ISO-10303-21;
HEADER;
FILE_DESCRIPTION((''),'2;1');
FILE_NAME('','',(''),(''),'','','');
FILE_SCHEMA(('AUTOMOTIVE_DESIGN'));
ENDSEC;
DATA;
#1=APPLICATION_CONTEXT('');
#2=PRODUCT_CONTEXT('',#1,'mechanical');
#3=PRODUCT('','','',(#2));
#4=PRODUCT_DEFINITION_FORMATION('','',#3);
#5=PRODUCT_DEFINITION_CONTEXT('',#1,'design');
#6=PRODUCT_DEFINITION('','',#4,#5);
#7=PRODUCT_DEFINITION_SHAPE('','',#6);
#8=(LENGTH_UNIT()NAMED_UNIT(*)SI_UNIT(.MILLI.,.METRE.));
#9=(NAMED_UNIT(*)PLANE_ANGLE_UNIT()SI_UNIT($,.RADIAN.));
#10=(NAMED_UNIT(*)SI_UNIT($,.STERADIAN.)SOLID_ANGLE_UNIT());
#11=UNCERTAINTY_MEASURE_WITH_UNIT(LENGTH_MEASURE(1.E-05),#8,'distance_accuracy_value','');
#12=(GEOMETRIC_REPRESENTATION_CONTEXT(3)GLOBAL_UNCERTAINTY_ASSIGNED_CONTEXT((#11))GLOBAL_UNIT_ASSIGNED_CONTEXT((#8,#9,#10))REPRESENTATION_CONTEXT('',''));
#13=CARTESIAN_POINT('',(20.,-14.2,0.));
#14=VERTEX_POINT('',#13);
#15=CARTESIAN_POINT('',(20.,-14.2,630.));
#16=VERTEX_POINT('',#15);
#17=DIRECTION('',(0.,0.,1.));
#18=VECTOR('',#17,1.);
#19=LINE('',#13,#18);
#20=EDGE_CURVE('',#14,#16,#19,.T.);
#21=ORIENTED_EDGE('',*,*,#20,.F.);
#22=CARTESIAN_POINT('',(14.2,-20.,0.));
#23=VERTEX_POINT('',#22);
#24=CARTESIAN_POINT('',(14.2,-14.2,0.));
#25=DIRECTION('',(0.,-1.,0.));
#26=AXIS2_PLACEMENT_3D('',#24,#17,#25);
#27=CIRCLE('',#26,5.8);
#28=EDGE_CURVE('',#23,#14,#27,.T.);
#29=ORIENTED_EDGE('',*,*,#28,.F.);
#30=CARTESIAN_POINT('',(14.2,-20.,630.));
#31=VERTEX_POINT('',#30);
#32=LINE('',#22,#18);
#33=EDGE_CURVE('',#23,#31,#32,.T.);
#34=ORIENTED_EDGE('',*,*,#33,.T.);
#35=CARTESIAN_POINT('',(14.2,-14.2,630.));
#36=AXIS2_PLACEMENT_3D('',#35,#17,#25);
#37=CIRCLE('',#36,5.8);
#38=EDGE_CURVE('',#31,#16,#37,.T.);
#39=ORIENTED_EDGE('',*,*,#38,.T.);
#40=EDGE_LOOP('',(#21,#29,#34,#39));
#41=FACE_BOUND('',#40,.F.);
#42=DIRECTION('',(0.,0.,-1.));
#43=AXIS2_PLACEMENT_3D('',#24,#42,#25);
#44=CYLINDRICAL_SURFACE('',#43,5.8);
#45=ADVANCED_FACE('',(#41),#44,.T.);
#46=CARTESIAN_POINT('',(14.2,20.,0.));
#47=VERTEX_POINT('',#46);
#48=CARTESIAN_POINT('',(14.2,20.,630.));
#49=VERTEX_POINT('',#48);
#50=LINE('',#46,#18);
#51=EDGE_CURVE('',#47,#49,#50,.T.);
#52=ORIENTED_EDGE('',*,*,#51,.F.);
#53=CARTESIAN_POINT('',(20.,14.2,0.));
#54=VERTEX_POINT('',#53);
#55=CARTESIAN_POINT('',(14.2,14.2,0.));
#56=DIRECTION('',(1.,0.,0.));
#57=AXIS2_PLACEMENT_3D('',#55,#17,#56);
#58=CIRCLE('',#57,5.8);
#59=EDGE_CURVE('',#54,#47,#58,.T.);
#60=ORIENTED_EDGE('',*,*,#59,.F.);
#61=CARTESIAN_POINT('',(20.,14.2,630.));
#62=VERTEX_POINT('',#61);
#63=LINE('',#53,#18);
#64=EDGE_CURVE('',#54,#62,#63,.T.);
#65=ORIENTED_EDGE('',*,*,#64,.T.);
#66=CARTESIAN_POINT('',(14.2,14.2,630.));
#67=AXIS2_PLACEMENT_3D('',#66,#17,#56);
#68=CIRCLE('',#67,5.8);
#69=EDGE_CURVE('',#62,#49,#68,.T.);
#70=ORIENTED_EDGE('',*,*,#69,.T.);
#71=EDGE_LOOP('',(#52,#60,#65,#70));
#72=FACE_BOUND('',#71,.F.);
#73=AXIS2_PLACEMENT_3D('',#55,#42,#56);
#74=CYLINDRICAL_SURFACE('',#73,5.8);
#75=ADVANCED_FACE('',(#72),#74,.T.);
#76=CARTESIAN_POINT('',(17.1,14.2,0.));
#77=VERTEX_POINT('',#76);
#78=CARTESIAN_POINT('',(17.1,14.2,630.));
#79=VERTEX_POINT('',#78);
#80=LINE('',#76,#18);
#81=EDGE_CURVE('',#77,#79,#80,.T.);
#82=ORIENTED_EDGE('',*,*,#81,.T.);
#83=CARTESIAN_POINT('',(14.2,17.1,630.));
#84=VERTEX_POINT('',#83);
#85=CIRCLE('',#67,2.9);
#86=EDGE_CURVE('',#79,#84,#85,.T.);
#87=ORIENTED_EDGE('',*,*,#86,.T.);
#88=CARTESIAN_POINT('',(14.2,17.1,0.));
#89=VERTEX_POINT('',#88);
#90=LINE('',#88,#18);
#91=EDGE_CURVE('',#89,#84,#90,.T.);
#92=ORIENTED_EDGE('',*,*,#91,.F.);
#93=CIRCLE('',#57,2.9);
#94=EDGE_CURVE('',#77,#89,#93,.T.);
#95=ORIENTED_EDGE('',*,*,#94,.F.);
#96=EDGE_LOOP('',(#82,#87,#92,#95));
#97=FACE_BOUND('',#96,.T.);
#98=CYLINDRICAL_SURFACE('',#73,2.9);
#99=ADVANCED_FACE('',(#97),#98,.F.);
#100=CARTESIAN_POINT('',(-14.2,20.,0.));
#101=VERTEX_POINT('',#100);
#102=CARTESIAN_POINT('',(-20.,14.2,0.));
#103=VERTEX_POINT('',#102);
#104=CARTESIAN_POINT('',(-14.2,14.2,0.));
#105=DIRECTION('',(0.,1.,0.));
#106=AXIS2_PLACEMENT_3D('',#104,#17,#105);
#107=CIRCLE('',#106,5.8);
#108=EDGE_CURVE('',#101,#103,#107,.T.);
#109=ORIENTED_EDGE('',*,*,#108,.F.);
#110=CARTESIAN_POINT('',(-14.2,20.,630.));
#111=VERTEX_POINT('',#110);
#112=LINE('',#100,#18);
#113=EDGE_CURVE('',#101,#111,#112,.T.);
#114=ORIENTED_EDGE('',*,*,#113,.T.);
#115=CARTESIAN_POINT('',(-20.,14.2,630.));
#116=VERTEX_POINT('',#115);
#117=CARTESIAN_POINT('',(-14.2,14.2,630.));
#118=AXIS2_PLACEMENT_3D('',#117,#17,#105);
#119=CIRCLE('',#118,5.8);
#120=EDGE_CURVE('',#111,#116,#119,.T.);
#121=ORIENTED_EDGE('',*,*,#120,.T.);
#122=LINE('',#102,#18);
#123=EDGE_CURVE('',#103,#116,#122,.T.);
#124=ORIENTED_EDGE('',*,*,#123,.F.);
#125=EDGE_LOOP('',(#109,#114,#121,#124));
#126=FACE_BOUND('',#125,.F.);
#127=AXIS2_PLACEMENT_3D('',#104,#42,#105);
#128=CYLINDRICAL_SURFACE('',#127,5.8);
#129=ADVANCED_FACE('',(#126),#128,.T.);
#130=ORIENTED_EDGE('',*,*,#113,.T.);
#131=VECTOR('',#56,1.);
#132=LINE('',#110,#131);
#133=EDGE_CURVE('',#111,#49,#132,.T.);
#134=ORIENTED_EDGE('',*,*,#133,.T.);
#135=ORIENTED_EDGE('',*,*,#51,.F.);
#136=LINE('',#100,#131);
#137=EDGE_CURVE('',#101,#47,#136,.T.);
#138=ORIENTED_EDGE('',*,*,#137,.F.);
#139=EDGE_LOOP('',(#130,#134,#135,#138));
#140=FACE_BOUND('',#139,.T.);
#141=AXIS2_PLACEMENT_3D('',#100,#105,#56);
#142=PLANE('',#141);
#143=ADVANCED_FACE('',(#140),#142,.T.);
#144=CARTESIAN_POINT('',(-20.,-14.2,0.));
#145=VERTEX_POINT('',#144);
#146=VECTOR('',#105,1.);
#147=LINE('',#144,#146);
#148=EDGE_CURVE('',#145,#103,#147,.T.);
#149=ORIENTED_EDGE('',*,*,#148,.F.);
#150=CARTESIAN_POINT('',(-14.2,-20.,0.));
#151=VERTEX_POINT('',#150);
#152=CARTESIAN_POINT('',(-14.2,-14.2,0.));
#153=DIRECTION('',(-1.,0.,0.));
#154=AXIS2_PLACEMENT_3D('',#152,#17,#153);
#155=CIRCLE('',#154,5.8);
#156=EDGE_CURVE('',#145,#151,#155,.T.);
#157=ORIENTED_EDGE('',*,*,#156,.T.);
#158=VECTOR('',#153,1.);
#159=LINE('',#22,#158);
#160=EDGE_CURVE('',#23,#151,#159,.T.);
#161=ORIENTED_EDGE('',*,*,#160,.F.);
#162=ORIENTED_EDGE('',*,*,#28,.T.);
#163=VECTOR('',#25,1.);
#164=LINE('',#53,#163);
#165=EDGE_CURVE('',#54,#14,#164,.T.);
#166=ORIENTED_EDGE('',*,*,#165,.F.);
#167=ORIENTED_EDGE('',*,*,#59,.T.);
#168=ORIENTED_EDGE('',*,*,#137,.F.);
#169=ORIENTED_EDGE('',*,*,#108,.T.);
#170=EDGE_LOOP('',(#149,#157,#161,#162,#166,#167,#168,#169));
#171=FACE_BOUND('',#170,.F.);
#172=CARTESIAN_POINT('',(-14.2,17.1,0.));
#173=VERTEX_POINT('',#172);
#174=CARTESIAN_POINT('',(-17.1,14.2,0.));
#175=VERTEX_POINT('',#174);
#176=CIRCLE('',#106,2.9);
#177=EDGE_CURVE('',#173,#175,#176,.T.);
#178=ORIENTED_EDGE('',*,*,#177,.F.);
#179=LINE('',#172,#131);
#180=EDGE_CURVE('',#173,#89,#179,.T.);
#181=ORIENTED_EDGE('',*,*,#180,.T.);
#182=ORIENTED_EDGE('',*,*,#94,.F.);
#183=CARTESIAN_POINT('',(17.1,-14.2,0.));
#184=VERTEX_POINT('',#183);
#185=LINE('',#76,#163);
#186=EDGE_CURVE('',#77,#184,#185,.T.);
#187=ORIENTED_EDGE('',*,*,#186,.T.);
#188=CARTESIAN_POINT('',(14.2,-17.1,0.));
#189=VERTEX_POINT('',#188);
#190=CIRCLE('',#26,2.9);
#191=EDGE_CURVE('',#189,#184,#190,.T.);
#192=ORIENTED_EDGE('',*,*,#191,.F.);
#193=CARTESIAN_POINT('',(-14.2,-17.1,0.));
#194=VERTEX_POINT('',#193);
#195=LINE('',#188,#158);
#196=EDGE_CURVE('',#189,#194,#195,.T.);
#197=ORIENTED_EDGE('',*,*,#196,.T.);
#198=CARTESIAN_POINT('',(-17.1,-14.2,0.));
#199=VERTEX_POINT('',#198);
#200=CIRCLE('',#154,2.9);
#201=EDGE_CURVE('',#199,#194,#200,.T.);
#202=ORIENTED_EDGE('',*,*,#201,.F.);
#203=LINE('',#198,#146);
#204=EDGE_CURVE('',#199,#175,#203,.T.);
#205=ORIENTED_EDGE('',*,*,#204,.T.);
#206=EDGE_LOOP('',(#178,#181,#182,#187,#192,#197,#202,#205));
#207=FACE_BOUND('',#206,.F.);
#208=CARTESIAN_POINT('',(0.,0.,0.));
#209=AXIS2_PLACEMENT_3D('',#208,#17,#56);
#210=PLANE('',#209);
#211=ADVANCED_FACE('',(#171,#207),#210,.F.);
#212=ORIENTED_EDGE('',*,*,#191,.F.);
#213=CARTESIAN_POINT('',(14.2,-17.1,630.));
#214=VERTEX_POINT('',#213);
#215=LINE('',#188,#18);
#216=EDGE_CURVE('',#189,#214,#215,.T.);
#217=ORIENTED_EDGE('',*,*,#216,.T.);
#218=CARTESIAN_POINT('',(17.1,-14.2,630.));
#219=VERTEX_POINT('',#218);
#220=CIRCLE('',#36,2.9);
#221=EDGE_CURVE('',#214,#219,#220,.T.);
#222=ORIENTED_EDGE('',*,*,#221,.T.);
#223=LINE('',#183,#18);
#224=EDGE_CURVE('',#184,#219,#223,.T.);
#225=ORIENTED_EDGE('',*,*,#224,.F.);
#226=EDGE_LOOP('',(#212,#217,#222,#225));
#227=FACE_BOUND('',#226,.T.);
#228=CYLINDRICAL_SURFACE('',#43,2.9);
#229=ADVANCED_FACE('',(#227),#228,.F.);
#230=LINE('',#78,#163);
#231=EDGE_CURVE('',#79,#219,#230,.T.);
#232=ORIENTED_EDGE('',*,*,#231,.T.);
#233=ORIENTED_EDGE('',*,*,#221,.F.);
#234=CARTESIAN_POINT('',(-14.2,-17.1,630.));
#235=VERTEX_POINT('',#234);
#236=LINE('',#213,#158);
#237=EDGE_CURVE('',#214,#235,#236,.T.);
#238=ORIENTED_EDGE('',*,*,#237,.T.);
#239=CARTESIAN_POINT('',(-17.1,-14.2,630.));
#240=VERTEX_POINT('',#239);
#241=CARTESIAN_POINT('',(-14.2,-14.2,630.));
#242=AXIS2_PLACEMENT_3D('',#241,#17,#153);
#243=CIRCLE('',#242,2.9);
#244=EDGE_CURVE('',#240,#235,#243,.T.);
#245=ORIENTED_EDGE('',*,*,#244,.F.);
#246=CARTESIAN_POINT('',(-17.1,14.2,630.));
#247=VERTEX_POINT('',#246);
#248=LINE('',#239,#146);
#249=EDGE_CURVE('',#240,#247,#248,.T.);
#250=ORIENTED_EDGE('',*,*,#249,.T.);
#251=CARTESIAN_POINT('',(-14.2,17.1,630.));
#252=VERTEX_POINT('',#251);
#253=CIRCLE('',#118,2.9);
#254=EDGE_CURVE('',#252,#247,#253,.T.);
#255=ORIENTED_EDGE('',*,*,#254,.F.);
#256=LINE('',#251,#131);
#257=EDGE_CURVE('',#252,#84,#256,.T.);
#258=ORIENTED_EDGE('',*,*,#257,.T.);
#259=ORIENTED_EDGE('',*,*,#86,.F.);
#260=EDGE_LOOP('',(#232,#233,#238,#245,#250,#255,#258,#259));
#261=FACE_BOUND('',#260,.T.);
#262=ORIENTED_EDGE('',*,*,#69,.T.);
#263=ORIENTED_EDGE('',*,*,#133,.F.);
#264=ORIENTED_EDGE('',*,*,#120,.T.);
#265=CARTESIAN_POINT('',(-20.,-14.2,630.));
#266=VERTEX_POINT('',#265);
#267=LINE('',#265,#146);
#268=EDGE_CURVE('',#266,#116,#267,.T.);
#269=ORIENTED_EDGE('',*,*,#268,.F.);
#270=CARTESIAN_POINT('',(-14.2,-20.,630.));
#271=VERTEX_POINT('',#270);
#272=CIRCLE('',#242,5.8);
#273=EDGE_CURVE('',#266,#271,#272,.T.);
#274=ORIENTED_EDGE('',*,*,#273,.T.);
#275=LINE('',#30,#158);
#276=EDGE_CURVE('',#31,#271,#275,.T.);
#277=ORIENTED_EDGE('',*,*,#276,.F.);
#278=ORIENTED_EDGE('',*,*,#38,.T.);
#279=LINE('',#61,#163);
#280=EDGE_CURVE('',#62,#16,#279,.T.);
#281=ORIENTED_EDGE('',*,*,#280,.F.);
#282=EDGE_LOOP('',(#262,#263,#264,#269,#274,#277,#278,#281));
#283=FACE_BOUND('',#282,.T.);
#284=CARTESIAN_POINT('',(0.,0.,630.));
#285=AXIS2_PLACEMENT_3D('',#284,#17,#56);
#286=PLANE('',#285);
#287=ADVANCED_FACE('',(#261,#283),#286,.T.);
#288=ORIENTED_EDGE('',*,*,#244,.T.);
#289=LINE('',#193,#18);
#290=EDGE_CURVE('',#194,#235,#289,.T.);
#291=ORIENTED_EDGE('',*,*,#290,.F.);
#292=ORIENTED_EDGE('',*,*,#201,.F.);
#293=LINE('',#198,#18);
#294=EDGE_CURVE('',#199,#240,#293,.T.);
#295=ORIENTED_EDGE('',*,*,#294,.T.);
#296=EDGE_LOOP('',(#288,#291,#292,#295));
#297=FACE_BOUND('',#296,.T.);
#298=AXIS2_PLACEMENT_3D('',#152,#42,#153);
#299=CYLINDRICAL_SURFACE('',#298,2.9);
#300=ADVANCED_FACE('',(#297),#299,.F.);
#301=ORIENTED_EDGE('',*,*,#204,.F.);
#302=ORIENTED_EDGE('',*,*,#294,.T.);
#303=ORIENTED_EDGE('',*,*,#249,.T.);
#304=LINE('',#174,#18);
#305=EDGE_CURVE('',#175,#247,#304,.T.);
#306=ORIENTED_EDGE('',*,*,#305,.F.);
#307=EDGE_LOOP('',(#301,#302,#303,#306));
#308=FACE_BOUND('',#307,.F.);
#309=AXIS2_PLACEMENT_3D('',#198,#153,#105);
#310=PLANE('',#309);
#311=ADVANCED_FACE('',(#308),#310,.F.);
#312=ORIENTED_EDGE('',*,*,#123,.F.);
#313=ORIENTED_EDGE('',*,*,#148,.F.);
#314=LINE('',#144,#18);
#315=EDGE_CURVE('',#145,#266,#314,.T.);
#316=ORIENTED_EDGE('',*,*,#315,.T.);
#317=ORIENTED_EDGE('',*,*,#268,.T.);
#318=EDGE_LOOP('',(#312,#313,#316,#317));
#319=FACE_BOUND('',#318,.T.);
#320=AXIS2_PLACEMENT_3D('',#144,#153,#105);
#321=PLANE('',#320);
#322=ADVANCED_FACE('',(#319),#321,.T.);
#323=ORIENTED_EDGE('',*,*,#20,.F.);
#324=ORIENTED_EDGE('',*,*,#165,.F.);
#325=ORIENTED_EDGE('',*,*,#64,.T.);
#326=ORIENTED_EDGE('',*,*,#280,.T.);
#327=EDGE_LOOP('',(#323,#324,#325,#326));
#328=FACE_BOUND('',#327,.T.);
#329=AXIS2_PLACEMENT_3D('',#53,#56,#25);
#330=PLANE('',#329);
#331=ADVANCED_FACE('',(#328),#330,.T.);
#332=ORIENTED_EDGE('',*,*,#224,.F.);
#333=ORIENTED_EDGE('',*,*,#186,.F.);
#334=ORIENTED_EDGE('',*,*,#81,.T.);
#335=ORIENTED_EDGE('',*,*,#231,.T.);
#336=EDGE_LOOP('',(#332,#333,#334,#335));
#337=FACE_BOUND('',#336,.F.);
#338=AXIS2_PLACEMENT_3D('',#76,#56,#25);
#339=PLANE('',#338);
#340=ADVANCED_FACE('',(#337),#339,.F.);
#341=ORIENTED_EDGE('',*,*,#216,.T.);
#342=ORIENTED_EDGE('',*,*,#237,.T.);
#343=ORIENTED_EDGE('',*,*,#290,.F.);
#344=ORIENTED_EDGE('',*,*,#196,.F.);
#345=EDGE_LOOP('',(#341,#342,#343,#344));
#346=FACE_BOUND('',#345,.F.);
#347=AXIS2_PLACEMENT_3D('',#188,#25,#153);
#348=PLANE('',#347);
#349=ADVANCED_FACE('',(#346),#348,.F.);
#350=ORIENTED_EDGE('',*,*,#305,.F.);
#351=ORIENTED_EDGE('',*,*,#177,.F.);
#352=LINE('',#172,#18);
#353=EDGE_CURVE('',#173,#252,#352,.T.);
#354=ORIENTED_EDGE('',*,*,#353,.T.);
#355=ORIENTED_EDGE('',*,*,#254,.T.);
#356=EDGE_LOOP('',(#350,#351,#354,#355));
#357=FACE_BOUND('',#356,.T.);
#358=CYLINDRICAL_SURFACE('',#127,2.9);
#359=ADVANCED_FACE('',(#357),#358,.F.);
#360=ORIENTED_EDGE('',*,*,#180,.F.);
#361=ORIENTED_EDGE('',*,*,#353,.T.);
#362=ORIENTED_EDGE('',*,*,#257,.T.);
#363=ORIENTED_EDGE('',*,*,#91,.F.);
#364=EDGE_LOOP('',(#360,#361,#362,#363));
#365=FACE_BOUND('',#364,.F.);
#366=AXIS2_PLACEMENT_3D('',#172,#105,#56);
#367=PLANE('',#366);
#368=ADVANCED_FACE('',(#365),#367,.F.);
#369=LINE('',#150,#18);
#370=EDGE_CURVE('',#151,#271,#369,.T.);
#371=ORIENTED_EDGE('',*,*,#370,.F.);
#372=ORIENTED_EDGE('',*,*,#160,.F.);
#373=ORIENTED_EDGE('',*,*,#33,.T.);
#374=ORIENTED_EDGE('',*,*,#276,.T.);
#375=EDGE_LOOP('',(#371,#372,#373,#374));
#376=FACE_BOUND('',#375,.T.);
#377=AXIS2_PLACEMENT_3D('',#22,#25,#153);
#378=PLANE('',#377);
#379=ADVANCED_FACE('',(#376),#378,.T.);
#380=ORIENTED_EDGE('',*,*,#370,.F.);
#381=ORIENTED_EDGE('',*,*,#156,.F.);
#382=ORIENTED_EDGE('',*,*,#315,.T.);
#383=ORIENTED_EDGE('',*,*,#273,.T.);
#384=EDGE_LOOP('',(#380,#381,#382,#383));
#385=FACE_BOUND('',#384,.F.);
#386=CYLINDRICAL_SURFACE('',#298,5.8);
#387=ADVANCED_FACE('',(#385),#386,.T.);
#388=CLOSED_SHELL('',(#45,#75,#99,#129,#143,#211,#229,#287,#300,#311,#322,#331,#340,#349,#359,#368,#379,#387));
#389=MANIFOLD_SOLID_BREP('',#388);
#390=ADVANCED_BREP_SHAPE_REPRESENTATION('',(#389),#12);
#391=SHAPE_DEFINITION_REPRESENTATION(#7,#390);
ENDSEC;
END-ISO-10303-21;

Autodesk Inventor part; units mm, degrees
ref_plane "YZ Plane" through (0, 0, 0) normal (1, 0, 0) x (0, 1, 0)
ref_plane "Plano inicial" through (0, 0, 0) normal (0, 0, 1) x (1, 0, 0)
ref_plane "Plano final" through (0, 0, 630) normal (0, 0, 1) x (1, 0, 0)
sketch "Boceto" plane through (0, 0, 0) normal (0, 0, 1) x (1, 0, 0)
  line L0 (-14.2, 20) -> (14.2, 20)
  line L1 (20, 14.2) -> (20, -14.2)
  line L2 (14.2, -20) -> (-14.2, -20)
  line L3 (-20, -14.2) -> (-20, 14.2)
  arc A0 (-14.2, 20) -> (-20, 14.2) centre (-14.2, 14.2) ccw
  arc A1 (20, 14.2) -> (14.2, 20) centre (14.2, 14.2) ccw
  arc A2 (14.2, -20) -> (20, -14.2) centre (14.2, -14.2) ccw
  arc A3 (-20, -14.2) -> (-14.2, -20) centre (-14.2, -14.2) ccw
  line L4 (-29.6817, 0) -> (29.6817, 0) construction
  line L5 (0, -29.6817) -> (0, 29.6817) construction
  arc A4 (-14.2, 17.1) -> (-17.1, 14.2) centre (-14.2, 14.2) ccw
  line L6 (-14.2, 17.1) -> (14.2, 17.1)
  arc A5 (17.1, 14.2) -> (14.2, 17.1) centre (14.2, 14.2) ccw
  line L7 (17.1, 14.2) -> (17.1, -14.2)
  arc A6 (14.2, -17.1) -> (17.1, -14.2) centre (14.2, -14.2) ccw
  line L8 (14.2, -17.1) -> (-14.2, -17.1)
  arc A7 (-17.1, -14.2) -> (-14.2, -17.1) centre (-14.2, -14.2) ccw
  line L9 (-17.1, -14.2) -> (-17.1, 14.2)
  point P0 (-20, 20)
  point P1 (20, -20)
  point P2 (20, 20)
  dimension "b" = 40
  dimension "msp_r" = 5.8
  dimension "d8" = 20
  dimension "d9" = 20
  dimension "d10" = 2.9
extrude "Cuerpo" add sketch "Boceto" along normal up to surface (630 mm away) from surface at 0
sketch "Sketch2" plane through (0, 0, 0) normal (0, 0, 1) x (1, 0, 0)
  line L0 (0, 0) -> (10, 0)
ref_plane "Work Plane3" through (0, 0, 0) normal (0, -1, 0) x (1, 0, 0)
sketch "Sketch3" plane through (0, 0, 0) normal (0, -1, 0) x (1, 0, 0)
  line L0 (-2, 0) -> (12, 0)
  line L1 (-2, 630) -> (12, 630)
  dimension "d14" = 630
equation "\"msp_r\" = 2 * ParT"
equation "\"d8\" = d9"
equation "\"d9\" = 0.5 * b"
equation "\"d10\" = ParT"
equation "\"G_OFFSET_START\" = 0"
equation "\"G_OFFSET_END\" = 0"
equation "\"G_L\" = d14"
equation "\"ParT\" = 2.9"
properties part number "DIN 59 410 - 40x40x2.9-630" material "Acero, suave"
